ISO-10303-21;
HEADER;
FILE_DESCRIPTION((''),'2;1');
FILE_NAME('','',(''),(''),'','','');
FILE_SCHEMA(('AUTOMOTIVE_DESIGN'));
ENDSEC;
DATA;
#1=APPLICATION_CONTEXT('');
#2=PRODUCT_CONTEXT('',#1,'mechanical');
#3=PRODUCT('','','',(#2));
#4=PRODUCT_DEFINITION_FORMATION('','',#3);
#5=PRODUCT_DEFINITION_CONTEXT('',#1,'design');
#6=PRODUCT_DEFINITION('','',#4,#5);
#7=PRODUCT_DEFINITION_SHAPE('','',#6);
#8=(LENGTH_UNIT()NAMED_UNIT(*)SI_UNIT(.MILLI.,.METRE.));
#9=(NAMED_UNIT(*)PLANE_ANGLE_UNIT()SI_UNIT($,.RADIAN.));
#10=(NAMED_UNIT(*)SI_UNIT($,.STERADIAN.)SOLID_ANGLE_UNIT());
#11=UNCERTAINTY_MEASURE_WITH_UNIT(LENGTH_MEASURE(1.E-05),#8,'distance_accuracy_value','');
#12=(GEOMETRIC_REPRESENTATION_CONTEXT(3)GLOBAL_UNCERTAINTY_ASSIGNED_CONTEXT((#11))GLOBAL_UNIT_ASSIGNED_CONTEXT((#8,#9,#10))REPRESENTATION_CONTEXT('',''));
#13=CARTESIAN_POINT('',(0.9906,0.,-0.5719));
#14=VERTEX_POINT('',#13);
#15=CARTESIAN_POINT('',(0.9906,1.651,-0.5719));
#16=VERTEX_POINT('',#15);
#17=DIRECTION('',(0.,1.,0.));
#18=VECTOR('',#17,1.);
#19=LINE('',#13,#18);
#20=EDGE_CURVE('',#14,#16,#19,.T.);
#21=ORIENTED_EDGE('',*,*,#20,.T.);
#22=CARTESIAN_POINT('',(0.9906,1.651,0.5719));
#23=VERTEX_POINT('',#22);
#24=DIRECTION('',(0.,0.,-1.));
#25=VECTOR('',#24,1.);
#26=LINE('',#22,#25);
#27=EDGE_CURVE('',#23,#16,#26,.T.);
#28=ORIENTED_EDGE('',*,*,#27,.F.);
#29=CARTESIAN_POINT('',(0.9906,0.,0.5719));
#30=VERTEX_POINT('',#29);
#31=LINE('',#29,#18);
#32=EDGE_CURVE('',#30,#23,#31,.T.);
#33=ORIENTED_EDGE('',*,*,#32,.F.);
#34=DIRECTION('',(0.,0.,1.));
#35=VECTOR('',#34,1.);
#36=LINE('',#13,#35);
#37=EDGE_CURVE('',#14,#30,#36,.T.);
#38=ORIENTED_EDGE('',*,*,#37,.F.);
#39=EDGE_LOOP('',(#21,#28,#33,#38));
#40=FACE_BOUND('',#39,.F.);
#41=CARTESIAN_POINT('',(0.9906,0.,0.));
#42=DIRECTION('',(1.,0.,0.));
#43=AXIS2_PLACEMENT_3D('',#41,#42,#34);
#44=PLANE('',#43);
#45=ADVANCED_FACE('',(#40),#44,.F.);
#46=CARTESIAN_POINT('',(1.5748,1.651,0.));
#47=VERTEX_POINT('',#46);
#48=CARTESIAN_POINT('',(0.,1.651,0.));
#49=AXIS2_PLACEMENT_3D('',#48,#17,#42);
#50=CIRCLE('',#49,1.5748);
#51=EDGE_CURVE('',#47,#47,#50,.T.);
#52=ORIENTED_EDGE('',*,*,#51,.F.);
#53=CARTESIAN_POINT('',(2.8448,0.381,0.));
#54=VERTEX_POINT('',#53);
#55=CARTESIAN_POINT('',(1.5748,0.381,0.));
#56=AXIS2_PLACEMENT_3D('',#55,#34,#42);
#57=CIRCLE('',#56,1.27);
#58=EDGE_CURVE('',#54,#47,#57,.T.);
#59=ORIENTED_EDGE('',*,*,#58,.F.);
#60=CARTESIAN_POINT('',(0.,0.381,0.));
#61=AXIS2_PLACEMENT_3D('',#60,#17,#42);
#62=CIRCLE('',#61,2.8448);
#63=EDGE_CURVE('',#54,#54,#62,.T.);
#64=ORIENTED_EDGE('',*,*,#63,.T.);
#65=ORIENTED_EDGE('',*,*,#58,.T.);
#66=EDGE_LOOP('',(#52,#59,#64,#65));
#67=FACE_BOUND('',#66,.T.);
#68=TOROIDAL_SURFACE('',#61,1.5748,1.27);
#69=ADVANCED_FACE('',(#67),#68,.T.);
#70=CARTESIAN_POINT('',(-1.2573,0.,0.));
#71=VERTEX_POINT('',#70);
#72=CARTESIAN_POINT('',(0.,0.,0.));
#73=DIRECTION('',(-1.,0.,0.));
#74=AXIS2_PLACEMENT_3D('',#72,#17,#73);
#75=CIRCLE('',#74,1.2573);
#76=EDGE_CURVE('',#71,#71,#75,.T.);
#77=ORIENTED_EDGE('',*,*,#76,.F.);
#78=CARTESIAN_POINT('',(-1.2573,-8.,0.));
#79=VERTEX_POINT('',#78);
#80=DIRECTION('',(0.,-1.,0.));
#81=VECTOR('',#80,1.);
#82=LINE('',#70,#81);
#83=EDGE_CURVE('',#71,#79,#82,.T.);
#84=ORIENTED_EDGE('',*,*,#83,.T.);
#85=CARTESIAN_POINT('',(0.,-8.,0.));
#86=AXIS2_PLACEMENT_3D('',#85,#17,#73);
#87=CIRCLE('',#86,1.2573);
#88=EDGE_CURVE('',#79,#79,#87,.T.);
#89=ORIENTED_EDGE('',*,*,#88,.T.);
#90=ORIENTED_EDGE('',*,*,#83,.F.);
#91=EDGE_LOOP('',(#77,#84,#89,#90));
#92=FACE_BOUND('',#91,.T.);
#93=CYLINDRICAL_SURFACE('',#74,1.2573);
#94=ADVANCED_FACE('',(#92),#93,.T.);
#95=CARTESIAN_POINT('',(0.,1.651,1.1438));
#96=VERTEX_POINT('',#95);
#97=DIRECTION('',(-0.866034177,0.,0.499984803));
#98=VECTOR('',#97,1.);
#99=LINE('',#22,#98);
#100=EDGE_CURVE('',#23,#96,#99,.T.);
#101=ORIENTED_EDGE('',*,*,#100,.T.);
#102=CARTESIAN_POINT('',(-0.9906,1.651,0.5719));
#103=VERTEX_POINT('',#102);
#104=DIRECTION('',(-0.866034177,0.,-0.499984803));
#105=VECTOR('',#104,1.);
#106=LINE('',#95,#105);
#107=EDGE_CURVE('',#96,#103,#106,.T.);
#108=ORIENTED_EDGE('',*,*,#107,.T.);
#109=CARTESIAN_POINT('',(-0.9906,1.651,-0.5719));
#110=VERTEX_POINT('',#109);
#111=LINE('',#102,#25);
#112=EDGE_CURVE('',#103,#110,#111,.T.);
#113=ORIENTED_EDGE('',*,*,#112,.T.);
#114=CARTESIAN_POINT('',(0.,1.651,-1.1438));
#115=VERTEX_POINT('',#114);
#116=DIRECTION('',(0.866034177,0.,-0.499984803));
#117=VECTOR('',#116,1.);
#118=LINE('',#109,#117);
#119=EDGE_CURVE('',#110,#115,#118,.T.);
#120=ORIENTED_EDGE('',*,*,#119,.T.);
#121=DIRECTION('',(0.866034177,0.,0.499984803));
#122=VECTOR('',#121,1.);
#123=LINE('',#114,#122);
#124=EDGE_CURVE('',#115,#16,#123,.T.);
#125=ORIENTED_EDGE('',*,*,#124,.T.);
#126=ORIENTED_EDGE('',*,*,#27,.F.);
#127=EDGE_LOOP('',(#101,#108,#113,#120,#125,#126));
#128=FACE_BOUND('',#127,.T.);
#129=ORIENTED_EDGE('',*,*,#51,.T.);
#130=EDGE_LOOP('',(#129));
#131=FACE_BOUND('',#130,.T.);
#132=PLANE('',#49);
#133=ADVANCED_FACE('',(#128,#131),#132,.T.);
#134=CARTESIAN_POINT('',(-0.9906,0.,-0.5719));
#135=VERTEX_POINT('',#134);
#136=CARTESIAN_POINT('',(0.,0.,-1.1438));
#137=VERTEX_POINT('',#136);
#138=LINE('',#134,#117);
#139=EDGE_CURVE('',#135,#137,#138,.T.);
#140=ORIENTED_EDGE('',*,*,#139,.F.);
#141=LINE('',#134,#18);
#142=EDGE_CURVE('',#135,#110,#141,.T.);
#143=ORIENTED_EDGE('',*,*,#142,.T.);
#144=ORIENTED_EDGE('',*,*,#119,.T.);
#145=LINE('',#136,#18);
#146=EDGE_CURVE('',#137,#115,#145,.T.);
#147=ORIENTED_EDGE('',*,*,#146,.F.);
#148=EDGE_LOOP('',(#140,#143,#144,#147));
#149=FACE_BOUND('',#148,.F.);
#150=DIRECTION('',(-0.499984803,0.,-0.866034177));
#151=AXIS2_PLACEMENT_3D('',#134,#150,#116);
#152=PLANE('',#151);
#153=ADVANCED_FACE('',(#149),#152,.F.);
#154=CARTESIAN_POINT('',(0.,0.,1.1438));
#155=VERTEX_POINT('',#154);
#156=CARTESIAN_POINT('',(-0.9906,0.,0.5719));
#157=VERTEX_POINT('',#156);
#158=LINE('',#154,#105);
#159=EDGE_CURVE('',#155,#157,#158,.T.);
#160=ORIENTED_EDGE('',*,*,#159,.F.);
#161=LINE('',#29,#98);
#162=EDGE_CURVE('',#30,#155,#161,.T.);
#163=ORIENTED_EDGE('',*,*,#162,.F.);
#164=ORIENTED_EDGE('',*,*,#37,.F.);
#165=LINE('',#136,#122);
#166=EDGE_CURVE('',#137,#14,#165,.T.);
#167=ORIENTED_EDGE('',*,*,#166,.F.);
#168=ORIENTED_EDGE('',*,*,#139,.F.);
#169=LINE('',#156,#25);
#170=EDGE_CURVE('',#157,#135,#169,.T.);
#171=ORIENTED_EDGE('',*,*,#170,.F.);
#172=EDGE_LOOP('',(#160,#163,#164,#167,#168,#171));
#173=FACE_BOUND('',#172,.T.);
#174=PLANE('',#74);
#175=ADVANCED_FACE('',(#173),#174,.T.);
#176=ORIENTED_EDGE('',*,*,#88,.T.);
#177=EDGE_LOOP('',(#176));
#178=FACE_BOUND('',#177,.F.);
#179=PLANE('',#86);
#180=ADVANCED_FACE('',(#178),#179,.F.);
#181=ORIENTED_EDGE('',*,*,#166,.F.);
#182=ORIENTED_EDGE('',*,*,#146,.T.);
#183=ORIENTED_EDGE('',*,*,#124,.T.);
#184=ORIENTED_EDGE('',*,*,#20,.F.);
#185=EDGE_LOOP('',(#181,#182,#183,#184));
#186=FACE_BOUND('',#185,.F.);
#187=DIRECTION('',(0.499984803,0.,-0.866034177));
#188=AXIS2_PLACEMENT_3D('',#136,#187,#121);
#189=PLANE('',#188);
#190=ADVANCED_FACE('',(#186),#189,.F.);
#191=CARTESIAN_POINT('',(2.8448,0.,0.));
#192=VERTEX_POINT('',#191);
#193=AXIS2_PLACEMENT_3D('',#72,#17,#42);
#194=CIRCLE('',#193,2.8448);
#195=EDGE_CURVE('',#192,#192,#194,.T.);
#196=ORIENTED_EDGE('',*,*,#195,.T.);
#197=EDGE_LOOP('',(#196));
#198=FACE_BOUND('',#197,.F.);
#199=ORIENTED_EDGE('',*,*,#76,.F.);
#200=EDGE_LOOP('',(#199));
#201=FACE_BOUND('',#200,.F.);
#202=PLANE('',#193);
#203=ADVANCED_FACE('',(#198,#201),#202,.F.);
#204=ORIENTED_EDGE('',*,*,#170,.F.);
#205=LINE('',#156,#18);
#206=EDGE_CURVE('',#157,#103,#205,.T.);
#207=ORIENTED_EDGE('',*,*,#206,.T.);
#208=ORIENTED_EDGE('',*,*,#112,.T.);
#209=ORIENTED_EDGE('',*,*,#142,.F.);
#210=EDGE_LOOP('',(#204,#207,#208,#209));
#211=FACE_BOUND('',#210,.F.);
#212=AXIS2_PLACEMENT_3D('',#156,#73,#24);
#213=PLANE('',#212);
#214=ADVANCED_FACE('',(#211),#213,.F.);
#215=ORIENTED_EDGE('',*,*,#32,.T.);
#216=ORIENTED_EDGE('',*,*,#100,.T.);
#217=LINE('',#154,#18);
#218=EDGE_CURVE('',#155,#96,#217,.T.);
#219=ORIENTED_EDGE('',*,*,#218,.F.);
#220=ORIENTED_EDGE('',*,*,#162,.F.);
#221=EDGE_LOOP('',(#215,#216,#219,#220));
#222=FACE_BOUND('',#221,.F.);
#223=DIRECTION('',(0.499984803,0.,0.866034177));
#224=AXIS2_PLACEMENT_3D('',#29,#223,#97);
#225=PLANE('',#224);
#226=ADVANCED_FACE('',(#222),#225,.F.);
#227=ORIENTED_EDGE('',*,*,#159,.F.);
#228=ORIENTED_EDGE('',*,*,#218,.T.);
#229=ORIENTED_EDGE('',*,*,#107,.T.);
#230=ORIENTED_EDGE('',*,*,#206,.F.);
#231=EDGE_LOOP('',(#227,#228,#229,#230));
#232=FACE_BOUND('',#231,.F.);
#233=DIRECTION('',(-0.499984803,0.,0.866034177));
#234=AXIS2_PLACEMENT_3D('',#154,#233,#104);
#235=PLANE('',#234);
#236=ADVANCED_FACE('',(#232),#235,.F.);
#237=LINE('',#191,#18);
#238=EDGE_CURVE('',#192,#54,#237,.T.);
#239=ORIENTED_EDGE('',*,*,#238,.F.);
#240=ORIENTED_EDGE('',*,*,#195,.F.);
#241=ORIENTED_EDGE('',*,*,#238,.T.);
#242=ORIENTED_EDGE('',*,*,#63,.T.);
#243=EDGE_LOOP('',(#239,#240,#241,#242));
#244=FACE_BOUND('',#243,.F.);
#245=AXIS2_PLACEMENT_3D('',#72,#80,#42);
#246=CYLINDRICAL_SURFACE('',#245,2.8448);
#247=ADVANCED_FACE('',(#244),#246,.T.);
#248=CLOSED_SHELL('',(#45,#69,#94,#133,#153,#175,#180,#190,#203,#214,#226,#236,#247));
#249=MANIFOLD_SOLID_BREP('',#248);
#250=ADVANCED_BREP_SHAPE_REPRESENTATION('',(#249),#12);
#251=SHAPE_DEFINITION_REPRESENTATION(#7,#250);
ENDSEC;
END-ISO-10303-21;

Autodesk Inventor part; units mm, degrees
ref_plane "YZ Plane" through (0, 0, 0) normal (1, 0, 0) x (0, 1, 0)
ref_plane "XZ Plane" through (0, 0, 0) normal (0, 1, 0) x (-1, 0, 0)
ref_plane "XY Plane" through (0, 0, 0) normal (0, 0, 1) x (1, 0, 0)
sketch "Sketch1" plane through (0, 0, 0) normal (0, 1, 0) x (-1, 0, 0)
  circle A0 centre (0, 0) radius 1.2573
  dimension "d0" = 2.5146
extrude "Extrusion1" add sketch "Sketch1" against normal blind 8
sketch "Sketch2" plane through (0, 0, 0) normal (0, 1, 0) x (1, 0, 0)
  circle A0 centre (0, 0) radius 1.2573 projected
  circle A1 centre (0, 0) radius 2.8448
  line L0 (0, 0) -> (0.9906, 0)
  line L1 (0.9906, -0.5719) -> (0, -1.1438)
  line L2 (0, -1.1438) -> (-0.9906, -0.5719)
  line L3 (-0.9906, -0.5719) -> (-0.9906, 0.5719)
  line L4 (-0.9906, 0.5719) -> (0, 1.1438)
  line L5 (0, 1.1438) -> (0.9906, 0.5719)
  line L6 (0.9906, 0.5719) -> (0.9906, -0.5719)
  dimension "d7" = 0.9906
extrude "Extrusion2" add sketch "Sketch2" along normal blind 1.651 contours A0 | A1
fillet "Fillet1" radius 1.27 1 edges at (-2.8448, 1.651, 0)
thread "Thread1" size "M3x0.5" class "6g" standard "ANSI Metric M Profile" full length
properties part number "m3x8"
